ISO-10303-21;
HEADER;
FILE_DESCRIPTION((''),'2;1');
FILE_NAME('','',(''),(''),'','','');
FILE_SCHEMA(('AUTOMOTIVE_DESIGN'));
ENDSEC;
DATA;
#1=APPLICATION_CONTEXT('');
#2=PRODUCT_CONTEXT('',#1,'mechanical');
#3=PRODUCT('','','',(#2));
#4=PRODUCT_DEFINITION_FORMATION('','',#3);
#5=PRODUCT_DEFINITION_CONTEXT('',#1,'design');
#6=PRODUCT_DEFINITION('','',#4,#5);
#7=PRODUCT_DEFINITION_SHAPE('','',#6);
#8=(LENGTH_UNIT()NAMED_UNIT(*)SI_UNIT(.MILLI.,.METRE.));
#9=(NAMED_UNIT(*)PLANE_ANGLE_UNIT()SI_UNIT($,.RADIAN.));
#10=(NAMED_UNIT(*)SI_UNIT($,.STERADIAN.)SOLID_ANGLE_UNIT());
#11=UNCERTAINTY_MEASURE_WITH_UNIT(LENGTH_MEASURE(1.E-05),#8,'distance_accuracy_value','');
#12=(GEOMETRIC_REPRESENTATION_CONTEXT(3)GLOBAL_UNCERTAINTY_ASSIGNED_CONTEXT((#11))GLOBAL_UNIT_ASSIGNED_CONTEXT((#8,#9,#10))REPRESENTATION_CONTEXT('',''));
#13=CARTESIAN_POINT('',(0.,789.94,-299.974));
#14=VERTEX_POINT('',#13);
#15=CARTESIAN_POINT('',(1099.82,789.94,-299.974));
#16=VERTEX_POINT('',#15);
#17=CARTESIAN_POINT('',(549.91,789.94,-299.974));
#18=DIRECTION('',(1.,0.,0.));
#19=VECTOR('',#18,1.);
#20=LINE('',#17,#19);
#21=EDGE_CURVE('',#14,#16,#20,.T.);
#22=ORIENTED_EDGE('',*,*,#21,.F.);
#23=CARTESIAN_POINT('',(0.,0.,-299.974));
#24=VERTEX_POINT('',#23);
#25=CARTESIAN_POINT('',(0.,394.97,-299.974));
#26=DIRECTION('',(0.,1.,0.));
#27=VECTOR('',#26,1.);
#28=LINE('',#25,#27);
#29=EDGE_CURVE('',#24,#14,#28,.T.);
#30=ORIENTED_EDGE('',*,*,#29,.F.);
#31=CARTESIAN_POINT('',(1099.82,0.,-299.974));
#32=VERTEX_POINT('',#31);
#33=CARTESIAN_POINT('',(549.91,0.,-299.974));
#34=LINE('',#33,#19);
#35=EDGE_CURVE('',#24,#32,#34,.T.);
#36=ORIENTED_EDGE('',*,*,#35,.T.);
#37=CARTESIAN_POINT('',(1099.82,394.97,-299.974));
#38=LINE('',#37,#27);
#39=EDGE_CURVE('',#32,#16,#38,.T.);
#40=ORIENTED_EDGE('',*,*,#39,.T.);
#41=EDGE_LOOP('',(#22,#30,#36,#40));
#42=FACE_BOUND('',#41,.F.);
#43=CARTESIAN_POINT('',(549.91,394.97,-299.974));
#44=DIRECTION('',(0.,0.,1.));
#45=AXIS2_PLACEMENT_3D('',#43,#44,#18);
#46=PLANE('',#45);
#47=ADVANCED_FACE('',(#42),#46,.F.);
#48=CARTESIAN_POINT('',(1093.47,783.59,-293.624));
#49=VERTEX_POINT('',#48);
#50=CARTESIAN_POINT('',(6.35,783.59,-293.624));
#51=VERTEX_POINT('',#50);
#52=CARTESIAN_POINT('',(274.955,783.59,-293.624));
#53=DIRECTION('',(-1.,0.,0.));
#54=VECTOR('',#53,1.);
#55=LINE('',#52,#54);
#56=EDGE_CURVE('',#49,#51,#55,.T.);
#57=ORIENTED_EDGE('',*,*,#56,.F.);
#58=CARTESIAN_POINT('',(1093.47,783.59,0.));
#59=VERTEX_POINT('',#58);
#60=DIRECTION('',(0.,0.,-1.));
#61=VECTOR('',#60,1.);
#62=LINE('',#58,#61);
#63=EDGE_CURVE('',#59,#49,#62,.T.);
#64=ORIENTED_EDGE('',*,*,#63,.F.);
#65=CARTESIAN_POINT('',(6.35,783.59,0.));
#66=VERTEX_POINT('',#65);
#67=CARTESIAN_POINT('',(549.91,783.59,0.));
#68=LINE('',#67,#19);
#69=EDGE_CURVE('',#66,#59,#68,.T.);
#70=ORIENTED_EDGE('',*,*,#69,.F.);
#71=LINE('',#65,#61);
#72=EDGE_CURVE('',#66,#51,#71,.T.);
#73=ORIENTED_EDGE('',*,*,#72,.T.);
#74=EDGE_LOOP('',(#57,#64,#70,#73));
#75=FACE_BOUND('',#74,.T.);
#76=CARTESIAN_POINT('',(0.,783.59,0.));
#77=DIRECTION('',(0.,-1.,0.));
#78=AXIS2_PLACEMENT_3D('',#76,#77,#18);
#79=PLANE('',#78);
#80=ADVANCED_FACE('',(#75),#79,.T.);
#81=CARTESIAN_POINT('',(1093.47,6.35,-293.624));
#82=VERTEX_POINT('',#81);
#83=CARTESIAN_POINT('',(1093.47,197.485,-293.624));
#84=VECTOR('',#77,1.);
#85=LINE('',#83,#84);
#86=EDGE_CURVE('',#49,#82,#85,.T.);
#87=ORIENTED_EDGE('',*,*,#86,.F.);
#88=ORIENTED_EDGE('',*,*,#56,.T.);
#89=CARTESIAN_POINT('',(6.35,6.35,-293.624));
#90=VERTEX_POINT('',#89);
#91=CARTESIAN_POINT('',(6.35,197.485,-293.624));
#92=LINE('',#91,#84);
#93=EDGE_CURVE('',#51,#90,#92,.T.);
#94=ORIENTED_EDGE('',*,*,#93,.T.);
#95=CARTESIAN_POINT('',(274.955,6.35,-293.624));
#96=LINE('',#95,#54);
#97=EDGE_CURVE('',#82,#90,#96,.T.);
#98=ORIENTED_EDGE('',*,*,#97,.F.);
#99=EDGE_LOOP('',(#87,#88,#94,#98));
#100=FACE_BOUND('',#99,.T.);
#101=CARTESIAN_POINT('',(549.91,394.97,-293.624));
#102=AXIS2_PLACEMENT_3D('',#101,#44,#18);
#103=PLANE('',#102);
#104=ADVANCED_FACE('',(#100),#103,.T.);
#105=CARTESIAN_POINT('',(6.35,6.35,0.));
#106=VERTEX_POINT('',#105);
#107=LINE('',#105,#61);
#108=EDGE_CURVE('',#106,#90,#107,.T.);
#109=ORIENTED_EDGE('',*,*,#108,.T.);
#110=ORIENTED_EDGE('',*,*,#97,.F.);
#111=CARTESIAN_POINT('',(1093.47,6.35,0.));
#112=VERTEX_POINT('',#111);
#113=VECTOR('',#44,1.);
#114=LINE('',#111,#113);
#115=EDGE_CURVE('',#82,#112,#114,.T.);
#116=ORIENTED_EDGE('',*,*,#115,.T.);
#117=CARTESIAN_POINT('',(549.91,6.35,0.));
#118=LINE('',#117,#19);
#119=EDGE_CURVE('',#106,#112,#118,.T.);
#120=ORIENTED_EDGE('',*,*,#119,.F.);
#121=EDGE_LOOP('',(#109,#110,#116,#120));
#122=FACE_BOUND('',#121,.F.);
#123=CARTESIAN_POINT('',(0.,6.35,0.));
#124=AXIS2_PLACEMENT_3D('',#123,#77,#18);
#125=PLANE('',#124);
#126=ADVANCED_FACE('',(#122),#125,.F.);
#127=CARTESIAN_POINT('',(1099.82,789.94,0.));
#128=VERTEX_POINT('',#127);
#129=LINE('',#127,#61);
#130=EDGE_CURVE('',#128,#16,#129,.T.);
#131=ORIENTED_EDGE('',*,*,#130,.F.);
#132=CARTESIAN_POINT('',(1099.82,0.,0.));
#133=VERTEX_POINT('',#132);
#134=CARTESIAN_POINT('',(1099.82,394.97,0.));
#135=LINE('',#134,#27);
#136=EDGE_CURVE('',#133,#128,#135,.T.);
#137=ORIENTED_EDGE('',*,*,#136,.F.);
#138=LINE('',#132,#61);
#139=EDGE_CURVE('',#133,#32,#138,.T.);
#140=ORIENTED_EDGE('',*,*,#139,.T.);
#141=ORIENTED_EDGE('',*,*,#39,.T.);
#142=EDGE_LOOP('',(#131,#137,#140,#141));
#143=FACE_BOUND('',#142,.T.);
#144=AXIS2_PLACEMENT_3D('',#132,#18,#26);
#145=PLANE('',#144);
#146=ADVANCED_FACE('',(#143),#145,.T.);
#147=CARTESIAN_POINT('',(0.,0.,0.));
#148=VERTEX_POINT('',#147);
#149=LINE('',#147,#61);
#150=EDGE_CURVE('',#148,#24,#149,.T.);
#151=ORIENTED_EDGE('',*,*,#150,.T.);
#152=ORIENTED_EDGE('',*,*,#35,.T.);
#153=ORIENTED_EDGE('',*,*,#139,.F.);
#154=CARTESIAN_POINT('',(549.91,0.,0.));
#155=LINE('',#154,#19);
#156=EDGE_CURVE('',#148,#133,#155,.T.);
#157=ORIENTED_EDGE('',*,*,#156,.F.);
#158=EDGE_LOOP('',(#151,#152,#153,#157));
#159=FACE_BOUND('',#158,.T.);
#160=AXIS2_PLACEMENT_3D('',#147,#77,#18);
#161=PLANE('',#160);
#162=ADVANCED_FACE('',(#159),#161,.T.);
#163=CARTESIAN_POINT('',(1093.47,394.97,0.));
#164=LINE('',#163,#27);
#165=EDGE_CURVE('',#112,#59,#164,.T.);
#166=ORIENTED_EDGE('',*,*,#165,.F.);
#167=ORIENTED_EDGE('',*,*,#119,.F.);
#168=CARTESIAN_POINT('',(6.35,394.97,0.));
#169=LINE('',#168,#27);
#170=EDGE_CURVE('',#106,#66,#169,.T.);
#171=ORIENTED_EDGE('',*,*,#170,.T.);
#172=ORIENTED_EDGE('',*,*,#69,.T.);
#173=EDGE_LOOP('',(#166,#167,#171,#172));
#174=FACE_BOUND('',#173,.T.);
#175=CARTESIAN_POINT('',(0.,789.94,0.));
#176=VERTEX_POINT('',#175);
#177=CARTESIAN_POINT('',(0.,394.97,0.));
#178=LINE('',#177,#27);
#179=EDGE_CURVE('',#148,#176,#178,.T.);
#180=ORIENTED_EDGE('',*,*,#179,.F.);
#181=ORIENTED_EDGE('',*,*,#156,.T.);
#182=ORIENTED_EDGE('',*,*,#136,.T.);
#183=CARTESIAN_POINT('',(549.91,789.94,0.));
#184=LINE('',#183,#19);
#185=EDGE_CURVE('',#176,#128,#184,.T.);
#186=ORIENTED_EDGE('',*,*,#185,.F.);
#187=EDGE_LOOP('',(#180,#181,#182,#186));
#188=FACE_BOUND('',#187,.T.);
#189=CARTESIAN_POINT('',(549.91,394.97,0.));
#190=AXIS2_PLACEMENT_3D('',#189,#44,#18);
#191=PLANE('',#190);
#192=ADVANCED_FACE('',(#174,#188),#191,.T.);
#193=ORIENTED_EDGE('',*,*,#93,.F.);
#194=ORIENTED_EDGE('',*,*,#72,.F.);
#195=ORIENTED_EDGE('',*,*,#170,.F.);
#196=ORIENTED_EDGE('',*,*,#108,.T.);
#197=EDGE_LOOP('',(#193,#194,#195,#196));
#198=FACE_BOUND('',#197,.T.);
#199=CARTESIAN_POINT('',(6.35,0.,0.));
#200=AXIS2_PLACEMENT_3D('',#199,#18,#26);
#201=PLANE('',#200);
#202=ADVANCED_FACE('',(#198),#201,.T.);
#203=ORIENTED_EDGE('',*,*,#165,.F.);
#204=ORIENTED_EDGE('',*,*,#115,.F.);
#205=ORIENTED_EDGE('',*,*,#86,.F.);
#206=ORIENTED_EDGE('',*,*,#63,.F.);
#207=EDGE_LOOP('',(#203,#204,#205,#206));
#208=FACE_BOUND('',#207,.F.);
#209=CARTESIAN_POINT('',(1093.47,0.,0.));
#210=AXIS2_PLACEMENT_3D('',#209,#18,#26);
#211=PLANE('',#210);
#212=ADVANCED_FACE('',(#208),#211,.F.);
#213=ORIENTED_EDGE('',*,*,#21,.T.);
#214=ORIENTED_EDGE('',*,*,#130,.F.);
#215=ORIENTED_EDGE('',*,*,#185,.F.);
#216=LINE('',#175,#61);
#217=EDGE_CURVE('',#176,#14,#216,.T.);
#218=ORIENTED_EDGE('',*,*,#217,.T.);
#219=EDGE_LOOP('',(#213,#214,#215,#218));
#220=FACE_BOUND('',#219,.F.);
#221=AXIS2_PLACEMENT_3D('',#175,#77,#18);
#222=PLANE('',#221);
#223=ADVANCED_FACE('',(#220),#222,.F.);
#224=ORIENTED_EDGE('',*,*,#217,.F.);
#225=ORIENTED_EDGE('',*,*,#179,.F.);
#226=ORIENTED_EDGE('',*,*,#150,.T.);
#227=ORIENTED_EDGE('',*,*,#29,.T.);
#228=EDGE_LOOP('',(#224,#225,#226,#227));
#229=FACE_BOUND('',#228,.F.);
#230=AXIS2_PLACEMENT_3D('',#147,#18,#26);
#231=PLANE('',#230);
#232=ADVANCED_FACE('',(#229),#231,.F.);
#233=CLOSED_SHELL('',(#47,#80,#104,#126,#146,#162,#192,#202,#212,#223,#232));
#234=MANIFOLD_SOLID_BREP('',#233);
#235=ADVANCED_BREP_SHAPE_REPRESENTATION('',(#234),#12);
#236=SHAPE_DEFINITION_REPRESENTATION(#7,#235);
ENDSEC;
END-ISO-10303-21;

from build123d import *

# Parameters (mm, degrees)
F0_W     = 1099.82
F0_H     = 789.94
F1_DEPTH = 299.974
F2_T     = -6.35


with BuildPart() as f1:
    # F0 (on Top) → F1 (new body)
    with BuildSketch(Plane.XY):
        with Locations((549.91, 394.97)):
            Rectangle(F0_W, F0_H)
    extrude(amount=-F1_DEPTH)

    # F2
    f2_openings = [f1.faces().sort_by_distance(p)[0] for p in [
        (549.91, 394.97, 0),
    ]]
    offset(amount=F2_T, openings=f2_openings)


solid = f1.part
